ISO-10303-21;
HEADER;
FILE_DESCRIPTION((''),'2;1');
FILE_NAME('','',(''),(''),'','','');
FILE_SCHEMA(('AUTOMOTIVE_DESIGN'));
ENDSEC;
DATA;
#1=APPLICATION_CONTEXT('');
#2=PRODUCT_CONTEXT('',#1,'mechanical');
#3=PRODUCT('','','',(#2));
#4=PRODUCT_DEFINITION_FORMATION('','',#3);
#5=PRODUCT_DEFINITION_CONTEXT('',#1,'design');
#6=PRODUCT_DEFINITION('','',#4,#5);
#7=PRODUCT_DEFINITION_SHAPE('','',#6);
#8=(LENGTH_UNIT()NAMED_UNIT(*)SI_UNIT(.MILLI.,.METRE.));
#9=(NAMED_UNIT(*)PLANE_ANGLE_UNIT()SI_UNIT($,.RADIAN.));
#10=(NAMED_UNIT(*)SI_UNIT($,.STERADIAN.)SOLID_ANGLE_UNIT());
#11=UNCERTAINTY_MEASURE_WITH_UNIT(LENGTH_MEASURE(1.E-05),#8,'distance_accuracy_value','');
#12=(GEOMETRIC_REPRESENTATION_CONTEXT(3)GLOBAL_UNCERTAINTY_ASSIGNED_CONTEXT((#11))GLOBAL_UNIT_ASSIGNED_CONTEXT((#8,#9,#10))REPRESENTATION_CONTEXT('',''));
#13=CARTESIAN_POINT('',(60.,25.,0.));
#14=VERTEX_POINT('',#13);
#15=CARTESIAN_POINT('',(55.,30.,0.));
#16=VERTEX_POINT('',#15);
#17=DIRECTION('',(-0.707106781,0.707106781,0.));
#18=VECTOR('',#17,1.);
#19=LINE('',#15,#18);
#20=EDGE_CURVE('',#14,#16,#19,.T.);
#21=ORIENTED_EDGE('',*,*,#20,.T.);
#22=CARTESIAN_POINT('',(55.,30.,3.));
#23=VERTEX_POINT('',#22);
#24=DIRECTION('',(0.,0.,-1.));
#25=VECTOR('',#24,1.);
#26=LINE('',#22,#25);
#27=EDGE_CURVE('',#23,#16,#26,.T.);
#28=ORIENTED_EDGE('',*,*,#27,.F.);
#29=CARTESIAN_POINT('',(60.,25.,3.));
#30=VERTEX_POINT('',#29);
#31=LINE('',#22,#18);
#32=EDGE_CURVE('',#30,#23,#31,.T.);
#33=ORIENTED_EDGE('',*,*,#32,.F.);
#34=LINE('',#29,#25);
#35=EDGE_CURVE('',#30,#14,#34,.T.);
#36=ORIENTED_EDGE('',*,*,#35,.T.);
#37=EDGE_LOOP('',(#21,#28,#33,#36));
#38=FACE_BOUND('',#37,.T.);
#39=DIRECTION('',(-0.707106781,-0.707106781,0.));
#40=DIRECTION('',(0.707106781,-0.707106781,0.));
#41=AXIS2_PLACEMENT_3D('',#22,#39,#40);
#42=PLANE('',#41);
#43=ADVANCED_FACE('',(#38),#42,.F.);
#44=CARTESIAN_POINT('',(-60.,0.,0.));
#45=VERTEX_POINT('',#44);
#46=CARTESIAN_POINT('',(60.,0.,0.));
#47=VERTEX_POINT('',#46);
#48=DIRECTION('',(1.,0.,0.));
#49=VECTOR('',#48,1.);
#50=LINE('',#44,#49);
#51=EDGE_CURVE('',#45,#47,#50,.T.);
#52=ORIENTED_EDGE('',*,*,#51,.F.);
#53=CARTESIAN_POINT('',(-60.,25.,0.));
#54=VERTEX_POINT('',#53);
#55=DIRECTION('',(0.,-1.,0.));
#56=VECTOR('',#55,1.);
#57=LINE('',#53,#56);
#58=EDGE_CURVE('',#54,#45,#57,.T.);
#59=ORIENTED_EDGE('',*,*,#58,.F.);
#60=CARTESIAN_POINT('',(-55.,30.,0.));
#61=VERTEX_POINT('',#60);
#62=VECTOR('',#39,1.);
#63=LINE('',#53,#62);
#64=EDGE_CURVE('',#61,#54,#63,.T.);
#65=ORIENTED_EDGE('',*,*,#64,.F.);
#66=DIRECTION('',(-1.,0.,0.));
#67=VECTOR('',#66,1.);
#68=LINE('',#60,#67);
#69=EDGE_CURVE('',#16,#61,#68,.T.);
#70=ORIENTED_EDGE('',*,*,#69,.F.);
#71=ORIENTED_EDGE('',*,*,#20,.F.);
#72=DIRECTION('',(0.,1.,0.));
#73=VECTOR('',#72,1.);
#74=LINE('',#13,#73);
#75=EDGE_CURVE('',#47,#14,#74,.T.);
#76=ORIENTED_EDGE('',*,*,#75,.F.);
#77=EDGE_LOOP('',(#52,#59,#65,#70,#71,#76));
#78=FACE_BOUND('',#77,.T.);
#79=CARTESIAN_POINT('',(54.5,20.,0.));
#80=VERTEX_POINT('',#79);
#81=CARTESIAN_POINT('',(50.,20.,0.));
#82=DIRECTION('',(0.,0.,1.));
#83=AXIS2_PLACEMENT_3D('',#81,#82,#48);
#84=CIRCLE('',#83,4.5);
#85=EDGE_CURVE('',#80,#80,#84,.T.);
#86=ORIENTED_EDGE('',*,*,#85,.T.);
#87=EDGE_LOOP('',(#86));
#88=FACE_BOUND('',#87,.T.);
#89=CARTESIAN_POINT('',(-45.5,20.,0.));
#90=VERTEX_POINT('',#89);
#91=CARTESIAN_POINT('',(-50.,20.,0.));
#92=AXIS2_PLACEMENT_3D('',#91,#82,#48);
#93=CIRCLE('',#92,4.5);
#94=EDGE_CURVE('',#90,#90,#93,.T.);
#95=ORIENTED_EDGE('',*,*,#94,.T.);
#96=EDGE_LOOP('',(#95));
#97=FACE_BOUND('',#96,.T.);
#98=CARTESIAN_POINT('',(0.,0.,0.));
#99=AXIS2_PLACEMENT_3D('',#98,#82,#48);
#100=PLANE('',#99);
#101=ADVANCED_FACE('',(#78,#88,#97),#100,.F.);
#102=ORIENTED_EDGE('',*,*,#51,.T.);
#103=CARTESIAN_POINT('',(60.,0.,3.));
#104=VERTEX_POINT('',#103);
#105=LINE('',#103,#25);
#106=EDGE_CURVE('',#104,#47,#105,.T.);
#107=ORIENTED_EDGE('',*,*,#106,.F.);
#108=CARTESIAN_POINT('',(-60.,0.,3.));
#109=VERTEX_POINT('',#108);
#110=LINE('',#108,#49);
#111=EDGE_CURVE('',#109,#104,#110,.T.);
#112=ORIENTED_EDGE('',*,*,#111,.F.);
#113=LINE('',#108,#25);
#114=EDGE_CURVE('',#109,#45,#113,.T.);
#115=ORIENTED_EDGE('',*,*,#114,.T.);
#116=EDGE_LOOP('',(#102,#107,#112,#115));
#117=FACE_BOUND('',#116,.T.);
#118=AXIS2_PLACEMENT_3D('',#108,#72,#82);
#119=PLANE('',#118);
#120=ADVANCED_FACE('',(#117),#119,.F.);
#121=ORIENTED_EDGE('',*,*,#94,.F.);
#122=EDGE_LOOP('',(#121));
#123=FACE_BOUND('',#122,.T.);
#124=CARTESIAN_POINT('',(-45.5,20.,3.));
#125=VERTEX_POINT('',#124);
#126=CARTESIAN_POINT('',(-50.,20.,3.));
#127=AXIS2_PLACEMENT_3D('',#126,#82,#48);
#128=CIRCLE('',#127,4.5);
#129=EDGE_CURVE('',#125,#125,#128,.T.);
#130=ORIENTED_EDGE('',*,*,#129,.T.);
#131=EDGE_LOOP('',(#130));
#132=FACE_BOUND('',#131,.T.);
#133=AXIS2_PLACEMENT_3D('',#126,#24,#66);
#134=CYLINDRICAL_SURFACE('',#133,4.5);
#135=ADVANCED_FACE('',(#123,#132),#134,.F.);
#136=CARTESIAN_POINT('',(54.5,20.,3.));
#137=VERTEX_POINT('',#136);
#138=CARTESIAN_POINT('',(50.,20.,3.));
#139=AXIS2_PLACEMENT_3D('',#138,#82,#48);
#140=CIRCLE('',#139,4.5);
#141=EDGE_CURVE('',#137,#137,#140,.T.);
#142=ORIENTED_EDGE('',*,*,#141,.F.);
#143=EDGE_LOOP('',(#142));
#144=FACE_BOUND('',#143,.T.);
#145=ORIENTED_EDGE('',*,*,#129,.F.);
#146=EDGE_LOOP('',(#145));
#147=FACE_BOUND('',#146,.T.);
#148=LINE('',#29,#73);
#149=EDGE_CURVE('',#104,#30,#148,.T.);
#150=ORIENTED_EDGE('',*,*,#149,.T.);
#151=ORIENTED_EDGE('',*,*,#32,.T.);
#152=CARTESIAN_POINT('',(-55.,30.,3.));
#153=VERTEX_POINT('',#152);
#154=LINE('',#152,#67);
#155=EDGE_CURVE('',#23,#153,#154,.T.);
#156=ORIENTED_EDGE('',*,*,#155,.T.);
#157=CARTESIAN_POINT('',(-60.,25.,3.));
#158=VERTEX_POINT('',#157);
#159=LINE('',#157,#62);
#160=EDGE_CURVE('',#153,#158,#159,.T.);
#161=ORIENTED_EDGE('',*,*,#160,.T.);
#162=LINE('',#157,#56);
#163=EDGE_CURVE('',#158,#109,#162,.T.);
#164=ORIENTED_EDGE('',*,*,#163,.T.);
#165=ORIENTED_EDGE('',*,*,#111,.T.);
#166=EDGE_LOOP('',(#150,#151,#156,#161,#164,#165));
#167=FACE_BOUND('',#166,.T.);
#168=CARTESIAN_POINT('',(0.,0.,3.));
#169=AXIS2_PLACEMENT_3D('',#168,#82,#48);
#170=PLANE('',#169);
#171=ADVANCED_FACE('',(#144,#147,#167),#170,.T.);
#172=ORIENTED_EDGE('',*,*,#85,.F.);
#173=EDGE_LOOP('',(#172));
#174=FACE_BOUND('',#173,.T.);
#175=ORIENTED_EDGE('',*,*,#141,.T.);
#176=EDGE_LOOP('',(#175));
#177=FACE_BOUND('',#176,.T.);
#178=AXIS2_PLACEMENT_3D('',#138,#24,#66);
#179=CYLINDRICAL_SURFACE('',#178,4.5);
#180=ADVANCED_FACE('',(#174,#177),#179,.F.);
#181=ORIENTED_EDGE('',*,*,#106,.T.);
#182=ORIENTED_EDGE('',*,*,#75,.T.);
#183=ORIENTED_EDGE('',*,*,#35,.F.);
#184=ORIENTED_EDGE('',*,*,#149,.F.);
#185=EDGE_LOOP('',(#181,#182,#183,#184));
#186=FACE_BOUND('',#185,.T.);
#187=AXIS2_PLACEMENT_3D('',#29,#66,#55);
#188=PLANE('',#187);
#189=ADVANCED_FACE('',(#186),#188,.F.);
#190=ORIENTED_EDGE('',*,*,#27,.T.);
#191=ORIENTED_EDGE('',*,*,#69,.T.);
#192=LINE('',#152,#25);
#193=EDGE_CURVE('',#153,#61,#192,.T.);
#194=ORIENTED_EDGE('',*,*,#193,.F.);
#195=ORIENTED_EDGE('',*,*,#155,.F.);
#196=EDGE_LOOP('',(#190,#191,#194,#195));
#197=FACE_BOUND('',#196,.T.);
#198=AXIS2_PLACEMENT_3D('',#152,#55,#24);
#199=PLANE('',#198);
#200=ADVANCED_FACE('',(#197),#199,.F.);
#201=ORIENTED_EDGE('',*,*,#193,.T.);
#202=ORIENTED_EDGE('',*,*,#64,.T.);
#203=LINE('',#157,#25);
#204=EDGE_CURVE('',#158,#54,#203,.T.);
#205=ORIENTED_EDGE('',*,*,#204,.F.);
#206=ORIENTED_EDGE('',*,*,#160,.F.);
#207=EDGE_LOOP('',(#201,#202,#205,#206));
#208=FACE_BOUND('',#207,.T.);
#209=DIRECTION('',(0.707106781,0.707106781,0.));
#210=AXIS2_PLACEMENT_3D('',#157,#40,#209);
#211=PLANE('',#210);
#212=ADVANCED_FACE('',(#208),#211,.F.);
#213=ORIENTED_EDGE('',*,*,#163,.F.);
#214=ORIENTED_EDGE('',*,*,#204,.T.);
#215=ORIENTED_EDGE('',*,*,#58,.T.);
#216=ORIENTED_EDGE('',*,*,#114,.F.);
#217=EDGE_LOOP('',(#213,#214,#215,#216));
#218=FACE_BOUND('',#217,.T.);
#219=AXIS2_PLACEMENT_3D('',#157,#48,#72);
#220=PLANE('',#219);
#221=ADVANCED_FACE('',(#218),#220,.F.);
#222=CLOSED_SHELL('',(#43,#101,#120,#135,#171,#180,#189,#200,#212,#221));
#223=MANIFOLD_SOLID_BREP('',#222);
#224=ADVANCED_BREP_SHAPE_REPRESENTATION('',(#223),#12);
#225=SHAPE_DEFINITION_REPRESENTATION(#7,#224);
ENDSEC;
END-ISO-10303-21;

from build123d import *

# Parameters (mm, degrees)
CROQUIS1_R              = 4.5
SALIENTE_EXTRUIR1_DEPTH = 3


with BuildPart() as part:
    # Croquis1 → Saliente-Extruir1 (new body)
    with BuildSketch(Plane.XY):
        Polygon((-60, 25), (-55, 30), (55, 30), (60, 25), (60, 0), (-60, 0), align=None)
        with Locations((-50, 20)):
            Circle(CROQUIS1_R, mode=Mode.SUBTRACT)
        with Locations((50, 20)):
            Circle(CROQUIS1_R, mode=Mode.SUBTRACT)
    extrude(amount=SALIENTE_EXTRUIR1_DEPTH)


solid = part.part
